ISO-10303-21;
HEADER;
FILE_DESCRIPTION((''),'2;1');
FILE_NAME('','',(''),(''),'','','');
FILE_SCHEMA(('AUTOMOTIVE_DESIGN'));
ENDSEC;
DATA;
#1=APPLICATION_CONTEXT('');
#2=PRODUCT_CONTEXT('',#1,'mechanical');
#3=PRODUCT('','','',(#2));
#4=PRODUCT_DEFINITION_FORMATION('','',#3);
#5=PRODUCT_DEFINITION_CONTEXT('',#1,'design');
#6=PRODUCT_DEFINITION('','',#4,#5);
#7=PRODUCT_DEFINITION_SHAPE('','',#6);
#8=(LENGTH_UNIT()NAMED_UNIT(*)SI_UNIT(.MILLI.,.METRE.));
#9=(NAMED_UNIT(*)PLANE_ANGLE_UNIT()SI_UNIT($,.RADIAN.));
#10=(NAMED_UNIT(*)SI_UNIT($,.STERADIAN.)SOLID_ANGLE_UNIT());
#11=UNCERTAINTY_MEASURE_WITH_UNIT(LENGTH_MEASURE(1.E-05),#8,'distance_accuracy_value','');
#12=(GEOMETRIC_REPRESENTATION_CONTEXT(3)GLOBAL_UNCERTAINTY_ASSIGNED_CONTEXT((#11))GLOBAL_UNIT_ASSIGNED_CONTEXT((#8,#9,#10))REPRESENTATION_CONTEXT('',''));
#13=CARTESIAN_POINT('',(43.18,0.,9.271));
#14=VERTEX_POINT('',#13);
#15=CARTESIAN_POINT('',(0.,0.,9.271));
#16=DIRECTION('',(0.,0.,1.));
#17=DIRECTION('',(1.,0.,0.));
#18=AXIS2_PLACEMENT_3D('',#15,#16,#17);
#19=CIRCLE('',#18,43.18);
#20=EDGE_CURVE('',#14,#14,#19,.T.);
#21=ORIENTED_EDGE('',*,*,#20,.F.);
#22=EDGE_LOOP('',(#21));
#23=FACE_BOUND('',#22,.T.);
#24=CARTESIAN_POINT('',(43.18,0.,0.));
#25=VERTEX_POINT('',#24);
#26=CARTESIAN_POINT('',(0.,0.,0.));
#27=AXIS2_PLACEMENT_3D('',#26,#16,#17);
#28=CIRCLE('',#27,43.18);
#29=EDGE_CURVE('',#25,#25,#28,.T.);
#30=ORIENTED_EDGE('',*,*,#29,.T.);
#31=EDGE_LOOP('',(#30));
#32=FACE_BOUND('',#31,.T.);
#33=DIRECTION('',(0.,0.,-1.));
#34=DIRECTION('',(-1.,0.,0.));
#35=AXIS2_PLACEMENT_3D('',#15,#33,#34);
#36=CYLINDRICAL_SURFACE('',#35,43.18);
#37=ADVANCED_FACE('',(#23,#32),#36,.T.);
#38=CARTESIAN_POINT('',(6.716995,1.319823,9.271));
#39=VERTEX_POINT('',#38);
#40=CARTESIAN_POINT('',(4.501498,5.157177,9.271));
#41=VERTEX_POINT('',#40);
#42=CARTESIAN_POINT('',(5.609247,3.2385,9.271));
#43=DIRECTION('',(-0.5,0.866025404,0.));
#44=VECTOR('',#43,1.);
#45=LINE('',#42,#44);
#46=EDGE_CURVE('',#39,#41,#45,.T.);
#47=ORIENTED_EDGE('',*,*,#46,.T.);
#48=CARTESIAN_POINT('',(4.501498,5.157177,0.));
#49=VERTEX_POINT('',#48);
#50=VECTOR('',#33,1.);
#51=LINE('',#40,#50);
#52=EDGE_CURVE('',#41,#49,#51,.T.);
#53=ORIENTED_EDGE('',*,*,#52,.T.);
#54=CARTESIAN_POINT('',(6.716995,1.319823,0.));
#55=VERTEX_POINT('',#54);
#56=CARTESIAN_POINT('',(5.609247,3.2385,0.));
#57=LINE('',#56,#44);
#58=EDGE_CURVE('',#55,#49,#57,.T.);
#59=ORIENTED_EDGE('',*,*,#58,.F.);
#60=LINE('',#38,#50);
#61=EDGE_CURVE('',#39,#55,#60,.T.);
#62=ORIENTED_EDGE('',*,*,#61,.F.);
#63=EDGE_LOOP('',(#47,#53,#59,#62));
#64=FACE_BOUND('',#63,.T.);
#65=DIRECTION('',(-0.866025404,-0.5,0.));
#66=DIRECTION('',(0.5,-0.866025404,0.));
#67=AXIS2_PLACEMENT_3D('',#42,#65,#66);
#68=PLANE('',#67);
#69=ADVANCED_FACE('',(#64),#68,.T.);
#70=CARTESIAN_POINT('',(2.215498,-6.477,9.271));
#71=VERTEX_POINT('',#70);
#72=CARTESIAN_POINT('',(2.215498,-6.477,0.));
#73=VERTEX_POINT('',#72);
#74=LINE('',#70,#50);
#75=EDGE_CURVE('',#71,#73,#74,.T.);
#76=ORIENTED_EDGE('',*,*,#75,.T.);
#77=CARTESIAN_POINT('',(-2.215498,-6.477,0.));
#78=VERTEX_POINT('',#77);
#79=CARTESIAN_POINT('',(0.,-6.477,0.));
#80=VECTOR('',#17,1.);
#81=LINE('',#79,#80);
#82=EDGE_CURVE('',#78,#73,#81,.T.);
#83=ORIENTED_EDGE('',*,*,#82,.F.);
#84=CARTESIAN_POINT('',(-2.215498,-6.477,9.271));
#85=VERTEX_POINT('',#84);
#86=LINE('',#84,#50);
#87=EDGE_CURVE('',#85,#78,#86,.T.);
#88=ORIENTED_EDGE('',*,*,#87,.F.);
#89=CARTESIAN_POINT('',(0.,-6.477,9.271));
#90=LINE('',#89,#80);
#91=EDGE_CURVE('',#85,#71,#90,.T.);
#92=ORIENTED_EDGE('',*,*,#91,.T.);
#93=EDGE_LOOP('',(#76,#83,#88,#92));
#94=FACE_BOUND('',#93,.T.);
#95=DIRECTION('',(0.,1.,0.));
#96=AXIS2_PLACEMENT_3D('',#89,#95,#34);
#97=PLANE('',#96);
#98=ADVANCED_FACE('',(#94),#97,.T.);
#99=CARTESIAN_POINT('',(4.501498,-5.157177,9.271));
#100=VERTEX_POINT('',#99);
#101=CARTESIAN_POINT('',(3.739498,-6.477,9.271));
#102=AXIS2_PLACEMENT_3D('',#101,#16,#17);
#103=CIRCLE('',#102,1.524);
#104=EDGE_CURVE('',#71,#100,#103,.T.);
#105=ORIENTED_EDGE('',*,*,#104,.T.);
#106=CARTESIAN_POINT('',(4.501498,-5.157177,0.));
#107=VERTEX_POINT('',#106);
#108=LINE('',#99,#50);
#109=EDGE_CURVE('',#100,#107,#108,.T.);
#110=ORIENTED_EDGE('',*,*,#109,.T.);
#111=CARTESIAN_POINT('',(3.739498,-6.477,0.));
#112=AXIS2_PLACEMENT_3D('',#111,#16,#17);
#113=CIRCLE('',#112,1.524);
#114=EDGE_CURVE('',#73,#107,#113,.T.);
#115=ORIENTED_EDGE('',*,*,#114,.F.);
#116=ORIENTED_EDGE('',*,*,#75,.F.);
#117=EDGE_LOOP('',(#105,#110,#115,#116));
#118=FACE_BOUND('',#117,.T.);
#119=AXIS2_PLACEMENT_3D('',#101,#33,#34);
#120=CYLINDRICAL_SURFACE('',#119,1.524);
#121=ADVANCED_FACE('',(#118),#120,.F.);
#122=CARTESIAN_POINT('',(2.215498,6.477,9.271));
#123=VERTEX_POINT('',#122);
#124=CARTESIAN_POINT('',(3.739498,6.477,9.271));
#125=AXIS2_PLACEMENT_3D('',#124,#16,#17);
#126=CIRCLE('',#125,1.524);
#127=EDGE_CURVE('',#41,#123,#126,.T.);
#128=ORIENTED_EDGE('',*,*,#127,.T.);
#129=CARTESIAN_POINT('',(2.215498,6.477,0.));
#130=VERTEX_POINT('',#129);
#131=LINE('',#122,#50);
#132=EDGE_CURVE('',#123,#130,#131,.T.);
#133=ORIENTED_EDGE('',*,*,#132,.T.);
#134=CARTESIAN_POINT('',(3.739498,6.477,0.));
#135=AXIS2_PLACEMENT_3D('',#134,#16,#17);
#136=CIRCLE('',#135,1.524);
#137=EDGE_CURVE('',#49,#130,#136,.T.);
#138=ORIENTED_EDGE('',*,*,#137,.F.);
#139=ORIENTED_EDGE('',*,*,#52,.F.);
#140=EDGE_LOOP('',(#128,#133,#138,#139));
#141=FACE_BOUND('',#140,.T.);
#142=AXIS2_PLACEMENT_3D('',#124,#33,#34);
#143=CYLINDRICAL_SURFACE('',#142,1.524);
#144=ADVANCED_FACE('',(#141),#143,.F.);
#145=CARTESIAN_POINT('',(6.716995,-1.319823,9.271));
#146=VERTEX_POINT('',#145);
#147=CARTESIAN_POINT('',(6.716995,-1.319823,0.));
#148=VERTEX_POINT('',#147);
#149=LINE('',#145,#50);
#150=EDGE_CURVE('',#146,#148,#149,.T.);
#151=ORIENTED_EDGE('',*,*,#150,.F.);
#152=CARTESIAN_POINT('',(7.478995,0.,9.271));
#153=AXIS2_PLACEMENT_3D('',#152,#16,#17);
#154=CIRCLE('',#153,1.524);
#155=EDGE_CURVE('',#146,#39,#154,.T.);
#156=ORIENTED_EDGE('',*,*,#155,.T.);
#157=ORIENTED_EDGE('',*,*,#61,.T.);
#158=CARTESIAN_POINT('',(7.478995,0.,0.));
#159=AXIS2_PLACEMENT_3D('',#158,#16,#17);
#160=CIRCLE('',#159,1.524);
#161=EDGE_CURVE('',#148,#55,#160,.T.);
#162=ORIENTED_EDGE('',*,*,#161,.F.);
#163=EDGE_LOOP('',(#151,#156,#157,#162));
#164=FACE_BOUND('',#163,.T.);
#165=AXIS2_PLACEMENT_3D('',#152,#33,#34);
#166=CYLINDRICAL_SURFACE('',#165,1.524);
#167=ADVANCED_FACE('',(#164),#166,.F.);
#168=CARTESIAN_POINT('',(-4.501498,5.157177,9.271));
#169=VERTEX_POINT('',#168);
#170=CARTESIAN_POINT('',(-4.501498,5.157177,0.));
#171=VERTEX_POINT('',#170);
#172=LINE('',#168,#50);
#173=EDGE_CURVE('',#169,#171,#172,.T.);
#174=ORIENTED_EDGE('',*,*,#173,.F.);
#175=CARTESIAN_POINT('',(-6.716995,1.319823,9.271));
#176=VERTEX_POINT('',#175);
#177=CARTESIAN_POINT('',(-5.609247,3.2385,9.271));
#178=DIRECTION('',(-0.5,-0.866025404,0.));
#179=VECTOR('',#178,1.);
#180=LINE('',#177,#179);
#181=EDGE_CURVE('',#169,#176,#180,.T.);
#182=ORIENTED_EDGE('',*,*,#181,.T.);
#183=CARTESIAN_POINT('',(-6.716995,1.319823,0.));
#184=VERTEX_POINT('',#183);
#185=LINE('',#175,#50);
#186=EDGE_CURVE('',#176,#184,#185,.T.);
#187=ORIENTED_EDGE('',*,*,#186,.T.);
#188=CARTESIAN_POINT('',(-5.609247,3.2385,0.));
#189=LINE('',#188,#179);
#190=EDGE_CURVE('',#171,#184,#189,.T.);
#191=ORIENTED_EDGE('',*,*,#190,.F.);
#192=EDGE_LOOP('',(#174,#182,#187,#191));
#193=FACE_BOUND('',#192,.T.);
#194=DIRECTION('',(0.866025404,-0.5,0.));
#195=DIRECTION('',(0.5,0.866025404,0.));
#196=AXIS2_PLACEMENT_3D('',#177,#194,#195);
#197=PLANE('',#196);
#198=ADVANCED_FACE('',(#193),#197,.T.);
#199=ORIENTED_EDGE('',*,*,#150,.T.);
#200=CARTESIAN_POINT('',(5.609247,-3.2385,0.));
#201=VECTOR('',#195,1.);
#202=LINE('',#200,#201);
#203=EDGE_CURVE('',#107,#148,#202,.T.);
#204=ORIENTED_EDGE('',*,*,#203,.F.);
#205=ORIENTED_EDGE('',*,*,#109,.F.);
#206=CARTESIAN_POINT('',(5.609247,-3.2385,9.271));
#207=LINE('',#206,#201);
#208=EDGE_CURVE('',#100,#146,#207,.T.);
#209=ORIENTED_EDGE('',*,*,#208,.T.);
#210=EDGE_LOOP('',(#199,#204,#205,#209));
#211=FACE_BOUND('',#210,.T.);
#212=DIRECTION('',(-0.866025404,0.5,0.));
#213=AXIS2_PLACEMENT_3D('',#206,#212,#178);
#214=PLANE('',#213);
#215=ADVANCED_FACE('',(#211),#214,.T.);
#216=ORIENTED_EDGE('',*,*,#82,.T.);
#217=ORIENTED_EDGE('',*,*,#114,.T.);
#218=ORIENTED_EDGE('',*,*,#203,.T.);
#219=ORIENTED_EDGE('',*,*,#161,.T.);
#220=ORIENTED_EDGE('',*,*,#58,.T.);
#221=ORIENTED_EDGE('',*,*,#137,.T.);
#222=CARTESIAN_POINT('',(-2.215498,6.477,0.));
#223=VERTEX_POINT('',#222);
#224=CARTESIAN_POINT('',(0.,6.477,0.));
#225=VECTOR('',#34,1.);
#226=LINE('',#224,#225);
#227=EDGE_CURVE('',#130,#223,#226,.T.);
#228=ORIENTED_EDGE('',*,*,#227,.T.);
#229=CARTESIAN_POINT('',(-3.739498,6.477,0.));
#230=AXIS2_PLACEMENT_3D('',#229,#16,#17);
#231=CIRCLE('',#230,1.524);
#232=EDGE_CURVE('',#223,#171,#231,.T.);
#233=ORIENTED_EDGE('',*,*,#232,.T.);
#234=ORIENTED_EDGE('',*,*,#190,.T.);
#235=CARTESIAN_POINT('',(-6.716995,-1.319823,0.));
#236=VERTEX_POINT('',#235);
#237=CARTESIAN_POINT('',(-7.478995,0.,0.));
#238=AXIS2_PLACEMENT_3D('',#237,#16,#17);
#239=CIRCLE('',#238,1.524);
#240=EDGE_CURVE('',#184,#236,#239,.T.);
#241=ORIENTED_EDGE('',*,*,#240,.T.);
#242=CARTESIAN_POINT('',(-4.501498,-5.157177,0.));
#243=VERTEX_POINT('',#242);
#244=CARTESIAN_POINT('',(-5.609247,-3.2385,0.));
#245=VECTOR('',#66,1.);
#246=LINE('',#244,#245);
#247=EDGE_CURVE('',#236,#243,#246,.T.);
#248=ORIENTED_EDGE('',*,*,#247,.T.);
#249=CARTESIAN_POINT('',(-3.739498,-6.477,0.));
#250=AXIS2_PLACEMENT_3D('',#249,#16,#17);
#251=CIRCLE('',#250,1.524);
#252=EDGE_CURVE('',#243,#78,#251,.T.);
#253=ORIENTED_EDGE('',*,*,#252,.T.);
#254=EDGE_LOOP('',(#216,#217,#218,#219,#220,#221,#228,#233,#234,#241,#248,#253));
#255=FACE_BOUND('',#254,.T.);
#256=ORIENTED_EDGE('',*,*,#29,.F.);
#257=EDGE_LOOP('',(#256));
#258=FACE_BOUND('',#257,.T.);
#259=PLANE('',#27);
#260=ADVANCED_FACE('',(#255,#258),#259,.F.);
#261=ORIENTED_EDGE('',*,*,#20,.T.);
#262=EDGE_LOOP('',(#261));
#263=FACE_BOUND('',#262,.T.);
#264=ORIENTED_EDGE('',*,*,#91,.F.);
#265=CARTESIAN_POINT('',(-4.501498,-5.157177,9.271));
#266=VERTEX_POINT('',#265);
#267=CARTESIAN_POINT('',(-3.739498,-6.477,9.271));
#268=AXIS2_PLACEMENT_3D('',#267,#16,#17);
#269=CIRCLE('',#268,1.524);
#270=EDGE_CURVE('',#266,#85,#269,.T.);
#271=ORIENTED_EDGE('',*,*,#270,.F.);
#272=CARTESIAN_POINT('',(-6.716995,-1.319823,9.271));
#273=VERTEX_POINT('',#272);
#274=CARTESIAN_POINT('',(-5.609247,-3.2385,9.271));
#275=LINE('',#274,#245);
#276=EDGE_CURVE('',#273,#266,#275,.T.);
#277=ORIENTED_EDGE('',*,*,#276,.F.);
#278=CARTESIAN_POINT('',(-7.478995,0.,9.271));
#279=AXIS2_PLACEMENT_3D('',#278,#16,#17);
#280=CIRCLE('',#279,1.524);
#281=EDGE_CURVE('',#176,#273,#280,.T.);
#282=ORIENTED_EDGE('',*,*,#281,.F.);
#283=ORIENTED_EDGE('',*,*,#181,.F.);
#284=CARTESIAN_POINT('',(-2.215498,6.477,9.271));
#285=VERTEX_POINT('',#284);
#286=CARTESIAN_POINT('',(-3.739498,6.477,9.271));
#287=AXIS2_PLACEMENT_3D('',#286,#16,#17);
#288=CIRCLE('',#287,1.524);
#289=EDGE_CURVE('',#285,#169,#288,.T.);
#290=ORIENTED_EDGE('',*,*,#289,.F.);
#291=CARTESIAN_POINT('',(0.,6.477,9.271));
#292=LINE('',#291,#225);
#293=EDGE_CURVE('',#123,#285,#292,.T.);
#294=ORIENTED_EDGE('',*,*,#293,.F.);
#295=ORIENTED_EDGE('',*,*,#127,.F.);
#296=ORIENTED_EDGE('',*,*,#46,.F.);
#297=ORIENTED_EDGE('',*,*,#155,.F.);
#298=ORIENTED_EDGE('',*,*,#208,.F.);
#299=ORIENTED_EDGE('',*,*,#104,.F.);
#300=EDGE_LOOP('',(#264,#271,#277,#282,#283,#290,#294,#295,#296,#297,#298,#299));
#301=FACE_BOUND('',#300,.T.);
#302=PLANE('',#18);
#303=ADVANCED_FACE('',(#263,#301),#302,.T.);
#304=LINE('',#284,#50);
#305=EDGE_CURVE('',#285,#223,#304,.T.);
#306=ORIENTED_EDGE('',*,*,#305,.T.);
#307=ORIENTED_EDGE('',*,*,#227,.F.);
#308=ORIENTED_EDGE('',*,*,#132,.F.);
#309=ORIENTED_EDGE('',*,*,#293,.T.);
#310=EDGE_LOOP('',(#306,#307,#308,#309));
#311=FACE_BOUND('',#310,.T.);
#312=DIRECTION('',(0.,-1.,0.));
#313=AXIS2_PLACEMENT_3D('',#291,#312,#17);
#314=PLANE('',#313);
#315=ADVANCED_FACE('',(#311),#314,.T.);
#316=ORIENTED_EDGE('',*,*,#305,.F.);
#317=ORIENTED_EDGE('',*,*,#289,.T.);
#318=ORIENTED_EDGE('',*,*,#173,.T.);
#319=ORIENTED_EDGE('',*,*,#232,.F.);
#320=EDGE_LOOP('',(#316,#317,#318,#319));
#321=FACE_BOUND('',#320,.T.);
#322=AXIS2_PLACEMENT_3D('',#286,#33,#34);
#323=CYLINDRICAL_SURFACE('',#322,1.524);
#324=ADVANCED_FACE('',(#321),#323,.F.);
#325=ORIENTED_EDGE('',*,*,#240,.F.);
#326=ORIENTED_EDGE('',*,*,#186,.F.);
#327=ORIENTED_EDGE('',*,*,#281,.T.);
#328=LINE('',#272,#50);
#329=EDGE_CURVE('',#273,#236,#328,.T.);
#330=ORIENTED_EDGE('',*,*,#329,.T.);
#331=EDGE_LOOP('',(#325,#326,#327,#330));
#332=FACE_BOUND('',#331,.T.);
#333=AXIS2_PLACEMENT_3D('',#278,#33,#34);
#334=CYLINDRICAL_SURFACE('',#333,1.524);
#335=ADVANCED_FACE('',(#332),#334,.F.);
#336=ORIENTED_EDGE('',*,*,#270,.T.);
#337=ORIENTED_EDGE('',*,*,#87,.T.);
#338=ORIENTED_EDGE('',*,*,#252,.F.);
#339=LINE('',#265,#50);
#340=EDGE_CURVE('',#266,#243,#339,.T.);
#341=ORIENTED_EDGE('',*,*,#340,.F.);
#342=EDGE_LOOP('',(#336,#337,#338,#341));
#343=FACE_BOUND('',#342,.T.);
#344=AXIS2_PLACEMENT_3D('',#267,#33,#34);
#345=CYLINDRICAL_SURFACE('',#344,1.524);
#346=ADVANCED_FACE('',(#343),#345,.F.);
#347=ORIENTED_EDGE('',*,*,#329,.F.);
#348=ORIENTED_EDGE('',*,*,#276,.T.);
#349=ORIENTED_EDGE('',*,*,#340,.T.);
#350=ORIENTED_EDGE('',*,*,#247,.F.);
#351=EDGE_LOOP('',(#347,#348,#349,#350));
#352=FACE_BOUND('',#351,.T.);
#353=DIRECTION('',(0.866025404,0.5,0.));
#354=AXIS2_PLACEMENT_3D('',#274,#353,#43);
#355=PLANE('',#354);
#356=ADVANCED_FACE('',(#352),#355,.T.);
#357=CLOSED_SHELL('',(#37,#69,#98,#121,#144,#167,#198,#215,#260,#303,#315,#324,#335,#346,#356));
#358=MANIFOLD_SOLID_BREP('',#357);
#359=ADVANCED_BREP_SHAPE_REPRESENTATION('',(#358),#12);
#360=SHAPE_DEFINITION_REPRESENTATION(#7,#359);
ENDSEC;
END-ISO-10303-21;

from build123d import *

# Parameters (mm, degrees)
SKETCH1_R           = 43.18
BOSS_EXTRUDE1_DEPTH = 9.271


with BuildPart() as part:
    # Sketch1 → Boss-Extrude1 (new body)
    with BuildSketch(Plane.XY):
        Circle(SKETCH1_R)
        with BuildLine():
            Line((4.501497694, 5.157177285), (6.716995387, 1.319822715))
            ThreePointArc((6.716995387, 1.319822715), (8.240995387, 1.319822715), (9.002995387, 0))
            ThreePointArc((9.002995387, 0), (8.240995387, -1.319822715), (6.716995387, -1.319822715))
            Line((6.716995387, -1.319822715), (4.501497694, -5.157177285))
            ThreePointArc((4.501497694, -5.157177285), (5.059320409, -5.715), (5.263497694, -6.477))
            ThreePointArc((5.263497694, -6.477), (3.739497694, -8.001), (2.215497694, -6.477))
            Line((2.215497694, -6.477), (-2.215497694, -6.477))
            ThreePointArc((-2.215497694, -6.477), (-4.501497694, -7.796822715), (-4.501497694, -5.157177285))
            Line((-4.501497694, -5.157177285), (-6.716995387, -1.319822715))
            ThreePointArc((-6.716995387, -1.319822715), (-9.002995387, 0), (-6.716995387, 1.319822715))
            Line((-6.716995387, 1.319822715), (-4.501497694, 5.157177285))
            ThreePointArc((-4.501497694, 5.157177285), (-4.501497694, 7.796822715), (-2.215497694, 6.477))
            Line((-2.215497694, 6.477), (2.215497694, 6.477))
            ThreePointArc((2.215497694, 6.477), (3.739497694, 8.001), (5.263497694, 6.477))
            ThreePointArc((5.263497694, 6.477), (5.059320409, 5.715), (4.501497694, 5.157177285))
        make_face(mode=Mode.SUBTRACT)
    extrude(amount=BOSS_EXTRUDE1_DEPTH)


solid = part.part
